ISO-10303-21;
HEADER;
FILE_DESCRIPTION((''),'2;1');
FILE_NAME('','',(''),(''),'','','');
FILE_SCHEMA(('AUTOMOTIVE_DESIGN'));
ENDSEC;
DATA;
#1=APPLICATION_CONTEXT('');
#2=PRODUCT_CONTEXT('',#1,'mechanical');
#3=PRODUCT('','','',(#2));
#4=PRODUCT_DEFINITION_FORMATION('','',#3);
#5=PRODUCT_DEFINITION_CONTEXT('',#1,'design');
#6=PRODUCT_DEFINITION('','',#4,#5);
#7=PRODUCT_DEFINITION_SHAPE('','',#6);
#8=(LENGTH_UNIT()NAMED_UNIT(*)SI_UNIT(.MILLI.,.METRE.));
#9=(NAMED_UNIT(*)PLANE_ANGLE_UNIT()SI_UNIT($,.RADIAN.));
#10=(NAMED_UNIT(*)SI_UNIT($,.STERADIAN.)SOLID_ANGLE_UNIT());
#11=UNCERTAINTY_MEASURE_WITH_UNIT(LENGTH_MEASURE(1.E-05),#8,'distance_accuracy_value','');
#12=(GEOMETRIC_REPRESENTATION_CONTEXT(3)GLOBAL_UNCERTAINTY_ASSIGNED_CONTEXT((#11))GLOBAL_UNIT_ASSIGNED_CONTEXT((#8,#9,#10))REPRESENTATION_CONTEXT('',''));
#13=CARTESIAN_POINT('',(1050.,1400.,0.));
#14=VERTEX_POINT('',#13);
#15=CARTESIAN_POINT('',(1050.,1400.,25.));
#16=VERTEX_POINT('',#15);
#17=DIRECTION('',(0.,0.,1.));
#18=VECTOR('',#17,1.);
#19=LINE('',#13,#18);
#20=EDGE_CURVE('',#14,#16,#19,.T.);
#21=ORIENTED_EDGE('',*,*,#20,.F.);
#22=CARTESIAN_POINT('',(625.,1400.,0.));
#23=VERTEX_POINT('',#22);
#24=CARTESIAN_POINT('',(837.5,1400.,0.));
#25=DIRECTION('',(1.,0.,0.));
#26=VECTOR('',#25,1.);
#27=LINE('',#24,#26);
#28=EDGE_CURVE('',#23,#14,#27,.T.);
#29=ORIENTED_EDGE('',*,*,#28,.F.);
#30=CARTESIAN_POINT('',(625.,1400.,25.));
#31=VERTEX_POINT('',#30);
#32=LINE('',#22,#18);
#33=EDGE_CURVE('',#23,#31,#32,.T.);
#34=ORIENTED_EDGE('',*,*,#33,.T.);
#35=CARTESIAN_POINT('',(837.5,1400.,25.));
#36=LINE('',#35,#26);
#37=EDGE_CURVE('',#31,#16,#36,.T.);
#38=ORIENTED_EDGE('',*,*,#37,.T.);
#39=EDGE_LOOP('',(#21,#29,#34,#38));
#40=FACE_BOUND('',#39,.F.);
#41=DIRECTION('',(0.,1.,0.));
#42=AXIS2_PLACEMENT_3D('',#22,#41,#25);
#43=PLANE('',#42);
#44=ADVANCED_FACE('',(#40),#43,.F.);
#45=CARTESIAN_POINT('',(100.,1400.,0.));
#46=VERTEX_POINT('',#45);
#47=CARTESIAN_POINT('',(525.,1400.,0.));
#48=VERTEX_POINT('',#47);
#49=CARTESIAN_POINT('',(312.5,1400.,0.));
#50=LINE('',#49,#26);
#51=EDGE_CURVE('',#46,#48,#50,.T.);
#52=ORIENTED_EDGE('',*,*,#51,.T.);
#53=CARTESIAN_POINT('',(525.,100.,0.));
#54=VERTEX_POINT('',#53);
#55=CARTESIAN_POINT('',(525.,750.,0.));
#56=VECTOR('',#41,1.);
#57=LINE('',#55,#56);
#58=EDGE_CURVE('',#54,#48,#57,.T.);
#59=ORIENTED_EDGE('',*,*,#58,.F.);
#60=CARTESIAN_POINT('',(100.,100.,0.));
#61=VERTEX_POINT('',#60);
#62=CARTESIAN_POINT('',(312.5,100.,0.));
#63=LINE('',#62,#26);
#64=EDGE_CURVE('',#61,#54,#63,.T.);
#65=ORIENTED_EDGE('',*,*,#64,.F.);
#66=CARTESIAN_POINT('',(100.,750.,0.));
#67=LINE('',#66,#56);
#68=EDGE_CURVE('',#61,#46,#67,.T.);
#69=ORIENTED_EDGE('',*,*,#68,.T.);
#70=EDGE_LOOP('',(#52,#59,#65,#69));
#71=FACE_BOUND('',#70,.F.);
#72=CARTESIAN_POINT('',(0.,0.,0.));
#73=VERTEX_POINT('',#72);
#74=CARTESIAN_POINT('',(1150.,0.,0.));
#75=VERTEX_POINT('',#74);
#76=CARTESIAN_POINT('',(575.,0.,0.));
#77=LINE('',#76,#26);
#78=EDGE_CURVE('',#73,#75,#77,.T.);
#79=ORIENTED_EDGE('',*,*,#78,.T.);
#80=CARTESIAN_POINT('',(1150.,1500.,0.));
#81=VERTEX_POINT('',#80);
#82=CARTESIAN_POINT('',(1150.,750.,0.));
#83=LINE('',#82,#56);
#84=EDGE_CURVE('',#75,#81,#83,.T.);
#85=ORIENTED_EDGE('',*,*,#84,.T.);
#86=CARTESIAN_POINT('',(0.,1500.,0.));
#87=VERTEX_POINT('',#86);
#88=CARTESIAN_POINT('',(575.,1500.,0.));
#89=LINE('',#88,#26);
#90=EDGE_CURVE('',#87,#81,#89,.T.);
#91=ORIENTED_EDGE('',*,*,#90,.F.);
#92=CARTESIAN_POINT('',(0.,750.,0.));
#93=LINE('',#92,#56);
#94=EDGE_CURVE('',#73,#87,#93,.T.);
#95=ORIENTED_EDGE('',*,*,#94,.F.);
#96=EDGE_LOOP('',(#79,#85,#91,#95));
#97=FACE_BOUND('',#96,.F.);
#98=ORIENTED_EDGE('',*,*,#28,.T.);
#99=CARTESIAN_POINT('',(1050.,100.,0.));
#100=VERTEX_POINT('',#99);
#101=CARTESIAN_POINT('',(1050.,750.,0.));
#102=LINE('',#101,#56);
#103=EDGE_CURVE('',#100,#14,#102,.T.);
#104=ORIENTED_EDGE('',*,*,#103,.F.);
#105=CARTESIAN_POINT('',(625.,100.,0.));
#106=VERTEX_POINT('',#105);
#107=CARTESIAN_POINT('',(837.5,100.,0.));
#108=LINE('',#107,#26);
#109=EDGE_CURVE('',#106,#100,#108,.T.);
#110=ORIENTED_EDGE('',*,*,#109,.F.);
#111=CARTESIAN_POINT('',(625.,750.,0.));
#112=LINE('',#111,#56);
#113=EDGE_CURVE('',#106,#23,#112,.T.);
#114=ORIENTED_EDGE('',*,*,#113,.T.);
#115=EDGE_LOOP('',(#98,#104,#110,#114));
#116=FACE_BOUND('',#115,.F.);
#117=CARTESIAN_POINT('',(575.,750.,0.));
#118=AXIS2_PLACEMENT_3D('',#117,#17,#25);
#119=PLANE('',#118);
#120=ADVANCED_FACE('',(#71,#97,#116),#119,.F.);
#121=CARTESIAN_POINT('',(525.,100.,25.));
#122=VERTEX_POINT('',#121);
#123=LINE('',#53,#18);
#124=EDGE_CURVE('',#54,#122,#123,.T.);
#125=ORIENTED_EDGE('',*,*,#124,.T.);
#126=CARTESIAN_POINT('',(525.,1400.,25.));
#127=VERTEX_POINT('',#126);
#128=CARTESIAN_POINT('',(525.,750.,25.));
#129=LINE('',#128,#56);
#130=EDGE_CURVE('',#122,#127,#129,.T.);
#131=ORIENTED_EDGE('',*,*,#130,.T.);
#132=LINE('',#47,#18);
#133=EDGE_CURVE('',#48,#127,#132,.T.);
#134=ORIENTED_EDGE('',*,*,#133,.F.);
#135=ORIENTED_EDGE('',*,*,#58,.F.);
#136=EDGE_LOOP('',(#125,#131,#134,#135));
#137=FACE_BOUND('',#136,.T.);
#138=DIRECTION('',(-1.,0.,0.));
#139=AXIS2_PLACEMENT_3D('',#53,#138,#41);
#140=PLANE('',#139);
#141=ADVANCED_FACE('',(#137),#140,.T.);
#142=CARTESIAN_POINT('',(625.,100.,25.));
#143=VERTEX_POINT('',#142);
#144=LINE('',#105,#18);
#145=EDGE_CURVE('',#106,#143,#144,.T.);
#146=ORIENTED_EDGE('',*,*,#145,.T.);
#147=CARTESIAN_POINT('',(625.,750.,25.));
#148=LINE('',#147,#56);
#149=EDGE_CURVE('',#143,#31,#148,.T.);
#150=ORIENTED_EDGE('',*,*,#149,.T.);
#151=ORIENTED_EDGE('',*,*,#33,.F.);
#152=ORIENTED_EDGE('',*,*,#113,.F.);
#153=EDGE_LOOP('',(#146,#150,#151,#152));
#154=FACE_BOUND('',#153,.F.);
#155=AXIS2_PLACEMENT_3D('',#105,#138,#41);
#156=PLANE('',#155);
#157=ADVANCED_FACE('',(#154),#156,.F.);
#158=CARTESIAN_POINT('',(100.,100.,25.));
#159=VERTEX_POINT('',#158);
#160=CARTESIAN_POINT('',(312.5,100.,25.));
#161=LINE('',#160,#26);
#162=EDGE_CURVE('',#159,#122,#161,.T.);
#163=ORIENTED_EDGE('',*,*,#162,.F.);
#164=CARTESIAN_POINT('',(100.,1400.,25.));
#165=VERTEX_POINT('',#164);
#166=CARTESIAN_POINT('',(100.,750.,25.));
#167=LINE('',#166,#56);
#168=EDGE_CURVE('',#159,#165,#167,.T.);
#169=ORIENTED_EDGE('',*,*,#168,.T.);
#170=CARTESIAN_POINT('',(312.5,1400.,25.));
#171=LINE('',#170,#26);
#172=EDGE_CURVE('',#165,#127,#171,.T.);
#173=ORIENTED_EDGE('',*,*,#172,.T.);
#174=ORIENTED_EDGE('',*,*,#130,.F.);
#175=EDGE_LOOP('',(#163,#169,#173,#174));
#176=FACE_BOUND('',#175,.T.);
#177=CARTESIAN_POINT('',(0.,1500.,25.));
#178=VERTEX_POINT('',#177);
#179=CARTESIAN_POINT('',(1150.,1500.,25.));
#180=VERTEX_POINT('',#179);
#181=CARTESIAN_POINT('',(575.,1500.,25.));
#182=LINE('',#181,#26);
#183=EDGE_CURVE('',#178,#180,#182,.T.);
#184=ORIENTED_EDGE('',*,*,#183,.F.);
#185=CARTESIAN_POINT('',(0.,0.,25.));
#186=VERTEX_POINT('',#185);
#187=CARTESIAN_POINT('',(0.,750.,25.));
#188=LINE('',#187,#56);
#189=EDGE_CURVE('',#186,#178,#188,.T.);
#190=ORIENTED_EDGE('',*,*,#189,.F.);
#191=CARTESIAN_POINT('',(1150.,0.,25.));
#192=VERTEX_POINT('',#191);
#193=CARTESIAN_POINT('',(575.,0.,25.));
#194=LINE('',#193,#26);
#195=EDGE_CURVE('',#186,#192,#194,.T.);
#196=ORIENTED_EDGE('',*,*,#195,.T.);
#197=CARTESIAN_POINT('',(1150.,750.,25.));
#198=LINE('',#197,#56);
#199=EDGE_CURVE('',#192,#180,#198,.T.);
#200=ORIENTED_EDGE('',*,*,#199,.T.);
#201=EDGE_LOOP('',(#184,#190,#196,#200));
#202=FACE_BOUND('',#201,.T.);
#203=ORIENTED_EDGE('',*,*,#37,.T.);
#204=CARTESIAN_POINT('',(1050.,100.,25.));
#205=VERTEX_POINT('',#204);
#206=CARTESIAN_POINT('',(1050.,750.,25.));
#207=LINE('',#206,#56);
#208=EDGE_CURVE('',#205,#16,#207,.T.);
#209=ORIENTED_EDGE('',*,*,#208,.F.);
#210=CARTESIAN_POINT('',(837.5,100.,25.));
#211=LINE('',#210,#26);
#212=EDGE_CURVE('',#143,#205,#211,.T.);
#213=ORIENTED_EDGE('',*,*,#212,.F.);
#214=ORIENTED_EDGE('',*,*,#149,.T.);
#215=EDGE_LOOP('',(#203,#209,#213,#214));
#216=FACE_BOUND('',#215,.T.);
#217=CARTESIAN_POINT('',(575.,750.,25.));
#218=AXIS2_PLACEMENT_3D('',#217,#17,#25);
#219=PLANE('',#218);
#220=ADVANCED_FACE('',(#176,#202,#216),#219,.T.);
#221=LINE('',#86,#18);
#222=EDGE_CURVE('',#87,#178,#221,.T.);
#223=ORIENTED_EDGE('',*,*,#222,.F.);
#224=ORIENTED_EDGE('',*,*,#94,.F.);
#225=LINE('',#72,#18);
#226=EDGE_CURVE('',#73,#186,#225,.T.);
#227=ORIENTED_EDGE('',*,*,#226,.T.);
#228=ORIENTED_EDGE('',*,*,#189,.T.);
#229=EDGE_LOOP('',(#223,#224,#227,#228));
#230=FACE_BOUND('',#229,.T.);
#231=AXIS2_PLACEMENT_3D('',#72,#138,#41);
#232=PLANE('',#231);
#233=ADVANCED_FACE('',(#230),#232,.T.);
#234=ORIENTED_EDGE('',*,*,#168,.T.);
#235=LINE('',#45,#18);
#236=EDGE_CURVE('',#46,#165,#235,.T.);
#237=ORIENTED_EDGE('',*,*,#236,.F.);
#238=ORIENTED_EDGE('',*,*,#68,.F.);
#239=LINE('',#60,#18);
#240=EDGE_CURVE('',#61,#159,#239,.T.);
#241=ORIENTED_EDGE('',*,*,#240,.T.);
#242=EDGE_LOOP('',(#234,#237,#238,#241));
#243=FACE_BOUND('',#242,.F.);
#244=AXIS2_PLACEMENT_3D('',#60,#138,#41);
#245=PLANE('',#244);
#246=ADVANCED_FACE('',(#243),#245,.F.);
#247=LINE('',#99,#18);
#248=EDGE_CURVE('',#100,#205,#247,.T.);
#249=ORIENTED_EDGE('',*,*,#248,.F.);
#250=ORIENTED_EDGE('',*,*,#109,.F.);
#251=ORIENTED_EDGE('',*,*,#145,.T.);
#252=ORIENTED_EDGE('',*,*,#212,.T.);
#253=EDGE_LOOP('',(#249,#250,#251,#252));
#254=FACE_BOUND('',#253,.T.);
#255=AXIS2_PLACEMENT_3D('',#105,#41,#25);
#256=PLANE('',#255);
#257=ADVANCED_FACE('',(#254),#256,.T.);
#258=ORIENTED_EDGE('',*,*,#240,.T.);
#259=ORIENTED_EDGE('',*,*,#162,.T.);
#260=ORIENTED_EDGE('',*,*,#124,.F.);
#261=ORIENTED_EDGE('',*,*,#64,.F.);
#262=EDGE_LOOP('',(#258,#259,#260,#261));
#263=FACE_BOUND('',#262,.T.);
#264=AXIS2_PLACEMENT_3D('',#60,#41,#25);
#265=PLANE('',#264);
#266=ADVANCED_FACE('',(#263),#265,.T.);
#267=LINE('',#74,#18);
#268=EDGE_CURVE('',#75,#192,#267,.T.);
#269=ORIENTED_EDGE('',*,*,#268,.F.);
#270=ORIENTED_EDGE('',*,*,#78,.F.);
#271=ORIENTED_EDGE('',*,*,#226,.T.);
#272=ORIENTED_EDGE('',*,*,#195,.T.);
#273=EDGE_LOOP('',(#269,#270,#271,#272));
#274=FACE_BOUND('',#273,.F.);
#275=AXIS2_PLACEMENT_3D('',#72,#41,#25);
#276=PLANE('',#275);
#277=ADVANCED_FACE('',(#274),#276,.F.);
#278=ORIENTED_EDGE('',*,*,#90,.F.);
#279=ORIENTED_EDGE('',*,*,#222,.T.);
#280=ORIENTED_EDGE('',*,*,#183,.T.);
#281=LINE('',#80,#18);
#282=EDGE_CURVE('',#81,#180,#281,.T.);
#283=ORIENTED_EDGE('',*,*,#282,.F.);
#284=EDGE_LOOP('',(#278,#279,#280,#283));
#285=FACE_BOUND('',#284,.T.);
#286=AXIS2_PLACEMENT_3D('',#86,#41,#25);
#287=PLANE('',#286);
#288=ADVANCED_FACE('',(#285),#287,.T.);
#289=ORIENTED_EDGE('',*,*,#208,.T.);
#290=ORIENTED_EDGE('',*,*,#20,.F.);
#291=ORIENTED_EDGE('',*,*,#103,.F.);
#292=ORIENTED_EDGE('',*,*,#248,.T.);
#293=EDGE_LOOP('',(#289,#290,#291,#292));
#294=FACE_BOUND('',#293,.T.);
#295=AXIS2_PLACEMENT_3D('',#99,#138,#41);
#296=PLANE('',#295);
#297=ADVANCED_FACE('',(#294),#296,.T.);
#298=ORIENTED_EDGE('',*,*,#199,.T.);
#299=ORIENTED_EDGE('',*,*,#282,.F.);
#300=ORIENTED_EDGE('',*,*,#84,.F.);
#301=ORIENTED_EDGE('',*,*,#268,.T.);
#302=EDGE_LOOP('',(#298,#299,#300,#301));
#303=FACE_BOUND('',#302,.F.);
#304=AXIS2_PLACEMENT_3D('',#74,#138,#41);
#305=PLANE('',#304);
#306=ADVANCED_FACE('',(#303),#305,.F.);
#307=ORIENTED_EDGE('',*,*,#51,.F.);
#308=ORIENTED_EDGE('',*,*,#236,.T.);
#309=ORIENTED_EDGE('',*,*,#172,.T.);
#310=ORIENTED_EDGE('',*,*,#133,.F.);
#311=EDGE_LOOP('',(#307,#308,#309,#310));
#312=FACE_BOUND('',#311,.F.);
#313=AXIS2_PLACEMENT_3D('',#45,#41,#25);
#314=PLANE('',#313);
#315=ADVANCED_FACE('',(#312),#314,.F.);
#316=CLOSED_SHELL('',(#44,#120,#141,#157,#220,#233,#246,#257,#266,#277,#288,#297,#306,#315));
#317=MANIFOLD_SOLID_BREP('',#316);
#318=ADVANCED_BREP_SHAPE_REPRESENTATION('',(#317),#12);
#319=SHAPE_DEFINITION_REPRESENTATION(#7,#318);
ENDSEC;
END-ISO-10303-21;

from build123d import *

# Parameters (mm, degrees)
F0_W     = 1150
F0_H     = 1500
F1_DEPTH = 25
F2_W     = 425
F2_H     = 1300
F3_DEPTH = 25


with BuildPart() as f1:
    # F0 (on Top) → F1 (new body)
    with BuildSketch(Plane.XY):
        with Locations((575, 750)):
            Rectangle(F0_W, F0_H)
    extrude(amount=F1_DEPTH)

    # F2 (on Top) → F3 (cut)
    with BuildSketch(Plane.XY):
        with Locations((312.5, 750)):
            Rectangle(F2_W, F2_H)
        with Locations((837.5, 750)):
            Rectangle(F2_W, F2_H)
    extrude(amount=F3_DEPTH, mode=Mode.SUBTRACT)


solid = f1.part
